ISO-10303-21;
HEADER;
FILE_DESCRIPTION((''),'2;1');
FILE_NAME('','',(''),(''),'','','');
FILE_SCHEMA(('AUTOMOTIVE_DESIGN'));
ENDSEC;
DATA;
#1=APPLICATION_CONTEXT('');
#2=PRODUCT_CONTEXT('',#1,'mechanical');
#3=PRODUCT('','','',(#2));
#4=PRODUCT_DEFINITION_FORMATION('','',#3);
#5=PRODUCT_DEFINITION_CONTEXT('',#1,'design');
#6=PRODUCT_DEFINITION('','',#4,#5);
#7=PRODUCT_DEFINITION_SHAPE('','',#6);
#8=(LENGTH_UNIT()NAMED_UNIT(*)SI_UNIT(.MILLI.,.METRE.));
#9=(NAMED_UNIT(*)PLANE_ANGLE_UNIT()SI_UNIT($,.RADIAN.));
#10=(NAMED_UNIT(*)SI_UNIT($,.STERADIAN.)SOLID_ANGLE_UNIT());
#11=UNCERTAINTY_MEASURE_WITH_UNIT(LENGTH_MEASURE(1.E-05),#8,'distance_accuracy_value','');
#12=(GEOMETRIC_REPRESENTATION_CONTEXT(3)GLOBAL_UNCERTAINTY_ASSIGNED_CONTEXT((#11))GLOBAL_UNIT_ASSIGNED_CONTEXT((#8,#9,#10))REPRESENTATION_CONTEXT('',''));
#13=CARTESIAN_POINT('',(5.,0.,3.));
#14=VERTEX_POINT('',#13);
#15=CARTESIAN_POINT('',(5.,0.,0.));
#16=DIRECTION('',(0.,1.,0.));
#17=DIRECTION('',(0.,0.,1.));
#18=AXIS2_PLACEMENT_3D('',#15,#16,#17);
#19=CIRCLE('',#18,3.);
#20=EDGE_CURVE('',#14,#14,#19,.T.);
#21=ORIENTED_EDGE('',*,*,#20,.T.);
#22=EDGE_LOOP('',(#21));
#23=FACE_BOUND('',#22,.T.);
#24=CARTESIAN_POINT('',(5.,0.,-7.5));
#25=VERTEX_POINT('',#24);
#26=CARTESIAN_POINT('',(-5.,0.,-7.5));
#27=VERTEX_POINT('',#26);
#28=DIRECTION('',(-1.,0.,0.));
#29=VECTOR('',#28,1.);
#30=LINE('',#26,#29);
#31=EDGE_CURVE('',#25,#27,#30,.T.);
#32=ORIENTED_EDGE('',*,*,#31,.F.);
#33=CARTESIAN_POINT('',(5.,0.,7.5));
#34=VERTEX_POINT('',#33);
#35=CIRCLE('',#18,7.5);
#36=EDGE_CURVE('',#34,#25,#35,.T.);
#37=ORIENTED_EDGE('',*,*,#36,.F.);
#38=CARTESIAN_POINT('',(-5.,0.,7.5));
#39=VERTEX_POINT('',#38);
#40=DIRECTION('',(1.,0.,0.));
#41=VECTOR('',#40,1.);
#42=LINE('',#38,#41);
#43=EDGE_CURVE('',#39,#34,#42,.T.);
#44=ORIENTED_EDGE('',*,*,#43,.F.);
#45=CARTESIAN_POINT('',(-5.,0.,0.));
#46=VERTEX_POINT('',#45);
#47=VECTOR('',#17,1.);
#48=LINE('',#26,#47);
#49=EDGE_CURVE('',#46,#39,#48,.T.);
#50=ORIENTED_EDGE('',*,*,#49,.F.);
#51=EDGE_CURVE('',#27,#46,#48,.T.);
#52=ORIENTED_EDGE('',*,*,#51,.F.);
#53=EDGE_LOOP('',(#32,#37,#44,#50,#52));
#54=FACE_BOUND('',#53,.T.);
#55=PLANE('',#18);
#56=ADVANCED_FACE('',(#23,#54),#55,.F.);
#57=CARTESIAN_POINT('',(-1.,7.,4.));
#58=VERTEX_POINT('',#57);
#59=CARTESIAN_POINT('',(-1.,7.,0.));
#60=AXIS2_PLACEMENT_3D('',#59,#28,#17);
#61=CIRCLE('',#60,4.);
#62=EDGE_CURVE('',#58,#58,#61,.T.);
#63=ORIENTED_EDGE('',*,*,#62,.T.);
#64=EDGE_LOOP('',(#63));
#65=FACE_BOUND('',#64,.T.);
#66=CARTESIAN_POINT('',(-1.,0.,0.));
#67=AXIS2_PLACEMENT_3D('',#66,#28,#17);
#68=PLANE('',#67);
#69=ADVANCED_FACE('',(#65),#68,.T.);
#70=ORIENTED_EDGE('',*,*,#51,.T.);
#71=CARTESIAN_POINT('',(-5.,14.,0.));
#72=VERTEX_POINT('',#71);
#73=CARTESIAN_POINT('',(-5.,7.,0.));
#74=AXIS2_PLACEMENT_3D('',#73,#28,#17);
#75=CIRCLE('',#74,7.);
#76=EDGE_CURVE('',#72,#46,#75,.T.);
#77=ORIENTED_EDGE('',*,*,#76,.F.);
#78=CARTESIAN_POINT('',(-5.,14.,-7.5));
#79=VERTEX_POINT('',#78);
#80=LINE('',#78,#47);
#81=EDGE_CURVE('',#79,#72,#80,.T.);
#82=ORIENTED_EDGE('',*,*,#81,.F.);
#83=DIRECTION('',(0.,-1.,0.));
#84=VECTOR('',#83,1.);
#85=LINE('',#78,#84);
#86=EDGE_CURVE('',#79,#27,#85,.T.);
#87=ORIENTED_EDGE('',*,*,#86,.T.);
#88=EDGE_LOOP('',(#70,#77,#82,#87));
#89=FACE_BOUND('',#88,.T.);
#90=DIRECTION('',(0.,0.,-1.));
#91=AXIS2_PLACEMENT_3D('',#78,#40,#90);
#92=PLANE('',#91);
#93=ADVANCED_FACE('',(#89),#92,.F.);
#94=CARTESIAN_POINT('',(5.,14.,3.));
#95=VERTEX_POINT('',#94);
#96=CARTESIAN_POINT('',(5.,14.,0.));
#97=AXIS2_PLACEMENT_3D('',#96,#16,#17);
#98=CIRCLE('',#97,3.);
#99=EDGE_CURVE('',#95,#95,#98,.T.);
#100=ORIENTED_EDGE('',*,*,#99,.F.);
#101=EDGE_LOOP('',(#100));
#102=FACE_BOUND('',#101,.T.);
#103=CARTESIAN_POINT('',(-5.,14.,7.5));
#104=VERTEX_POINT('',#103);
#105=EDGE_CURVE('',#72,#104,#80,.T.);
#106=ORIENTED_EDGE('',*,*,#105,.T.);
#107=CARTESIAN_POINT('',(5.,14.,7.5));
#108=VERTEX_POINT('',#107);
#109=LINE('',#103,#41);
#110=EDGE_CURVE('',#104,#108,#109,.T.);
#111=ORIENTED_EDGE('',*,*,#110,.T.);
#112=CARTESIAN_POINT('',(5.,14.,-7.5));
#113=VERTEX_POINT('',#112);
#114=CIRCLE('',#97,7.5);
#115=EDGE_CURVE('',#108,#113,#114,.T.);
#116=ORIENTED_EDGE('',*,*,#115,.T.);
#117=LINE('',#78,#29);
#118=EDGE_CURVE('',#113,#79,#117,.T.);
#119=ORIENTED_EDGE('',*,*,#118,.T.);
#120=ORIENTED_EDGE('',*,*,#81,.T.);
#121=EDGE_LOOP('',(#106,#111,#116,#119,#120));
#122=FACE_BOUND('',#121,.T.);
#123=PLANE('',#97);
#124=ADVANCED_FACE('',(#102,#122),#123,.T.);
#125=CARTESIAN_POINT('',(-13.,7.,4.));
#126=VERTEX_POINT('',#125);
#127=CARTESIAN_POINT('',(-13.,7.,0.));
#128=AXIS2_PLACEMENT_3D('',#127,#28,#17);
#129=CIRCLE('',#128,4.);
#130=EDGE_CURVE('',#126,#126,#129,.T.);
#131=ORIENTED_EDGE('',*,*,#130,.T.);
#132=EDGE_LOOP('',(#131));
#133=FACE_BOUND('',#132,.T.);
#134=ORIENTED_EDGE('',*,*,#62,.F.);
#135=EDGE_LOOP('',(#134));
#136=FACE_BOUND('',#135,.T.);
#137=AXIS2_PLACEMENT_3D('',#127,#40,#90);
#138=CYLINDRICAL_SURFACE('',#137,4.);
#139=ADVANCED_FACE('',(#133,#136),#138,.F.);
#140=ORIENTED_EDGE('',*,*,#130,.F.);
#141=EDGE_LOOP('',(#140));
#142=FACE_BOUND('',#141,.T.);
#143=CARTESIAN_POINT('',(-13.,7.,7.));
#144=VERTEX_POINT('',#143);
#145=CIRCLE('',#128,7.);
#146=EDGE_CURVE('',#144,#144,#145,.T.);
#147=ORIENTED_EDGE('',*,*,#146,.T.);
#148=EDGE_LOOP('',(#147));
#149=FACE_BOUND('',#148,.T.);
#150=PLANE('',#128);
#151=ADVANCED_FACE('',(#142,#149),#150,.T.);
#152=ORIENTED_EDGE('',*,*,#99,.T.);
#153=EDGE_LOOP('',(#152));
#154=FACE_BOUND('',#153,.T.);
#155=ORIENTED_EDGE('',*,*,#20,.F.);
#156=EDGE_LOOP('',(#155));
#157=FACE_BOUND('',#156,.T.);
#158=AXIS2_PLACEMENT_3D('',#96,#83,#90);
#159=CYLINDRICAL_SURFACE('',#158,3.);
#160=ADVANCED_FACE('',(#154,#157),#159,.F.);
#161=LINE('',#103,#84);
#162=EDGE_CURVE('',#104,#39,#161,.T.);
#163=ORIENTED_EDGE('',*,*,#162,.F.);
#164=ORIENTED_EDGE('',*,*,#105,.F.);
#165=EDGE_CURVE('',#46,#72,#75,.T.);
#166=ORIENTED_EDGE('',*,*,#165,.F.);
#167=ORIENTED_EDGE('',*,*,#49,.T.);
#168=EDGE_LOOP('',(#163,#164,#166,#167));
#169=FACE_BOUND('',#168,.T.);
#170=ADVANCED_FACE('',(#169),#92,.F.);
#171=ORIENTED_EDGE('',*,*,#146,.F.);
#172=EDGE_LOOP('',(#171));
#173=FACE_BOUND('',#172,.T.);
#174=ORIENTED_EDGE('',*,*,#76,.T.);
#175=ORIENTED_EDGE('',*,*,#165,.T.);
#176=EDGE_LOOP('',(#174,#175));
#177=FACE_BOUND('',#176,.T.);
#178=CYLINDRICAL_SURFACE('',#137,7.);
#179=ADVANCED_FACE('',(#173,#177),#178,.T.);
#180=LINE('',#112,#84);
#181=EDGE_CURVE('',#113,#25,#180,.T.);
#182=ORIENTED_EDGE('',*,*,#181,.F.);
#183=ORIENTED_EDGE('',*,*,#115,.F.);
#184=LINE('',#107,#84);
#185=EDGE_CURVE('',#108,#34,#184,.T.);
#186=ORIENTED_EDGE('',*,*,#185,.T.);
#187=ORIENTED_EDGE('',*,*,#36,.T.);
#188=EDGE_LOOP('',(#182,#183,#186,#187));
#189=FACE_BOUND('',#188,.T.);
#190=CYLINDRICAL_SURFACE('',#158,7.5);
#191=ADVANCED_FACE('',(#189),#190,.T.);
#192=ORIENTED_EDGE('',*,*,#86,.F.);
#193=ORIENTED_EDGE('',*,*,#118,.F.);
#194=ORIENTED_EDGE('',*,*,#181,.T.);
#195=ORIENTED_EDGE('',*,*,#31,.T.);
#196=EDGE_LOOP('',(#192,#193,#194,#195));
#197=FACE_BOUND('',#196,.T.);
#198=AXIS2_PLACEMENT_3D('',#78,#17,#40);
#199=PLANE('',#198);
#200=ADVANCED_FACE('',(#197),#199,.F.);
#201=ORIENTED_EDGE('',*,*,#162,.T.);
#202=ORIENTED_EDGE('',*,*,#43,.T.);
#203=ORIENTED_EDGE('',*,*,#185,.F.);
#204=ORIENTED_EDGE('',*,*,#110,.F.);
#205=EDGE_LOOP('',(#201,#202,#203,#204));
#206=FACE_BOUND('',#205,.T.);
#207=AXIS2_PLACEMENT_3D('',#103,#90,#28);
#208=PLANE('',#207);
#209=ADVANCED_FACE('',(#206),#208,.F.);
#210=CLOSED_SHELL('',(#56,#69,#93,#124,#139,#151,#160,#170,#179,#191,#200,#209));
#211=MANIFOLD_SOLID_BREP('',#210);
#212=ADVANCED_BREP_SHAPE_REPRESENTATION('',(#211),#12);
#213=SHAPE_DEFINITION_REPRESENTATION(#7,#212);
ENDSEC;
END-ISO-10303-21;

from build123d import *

# Parameters (mm, degrees)
SKETCH_1_R          = 3
EXTRUDE_1_DEPTH     = 14
SKETCH_2_R          = 7
SKETCH_2_R_2        = 4
EXTRUDE_2_DEPTH     = 8
CUT_EXTRUDE_START   = -4
SKETCH_2_2_R        = 4
CUT_EXTRUDE_1_DEPTH = 4


with BuildPart() as part:
    # 草图1 → 凸台-拉伸1 (new body)
    with BuildSketch(Plane(origin=(0, 0, 0), x_dir=(1, 0, 0), z_dir=(0, 1, 0))):
        with BuildLine():
            Line((-5, 7.5), (5, 7.5))
            ThreePointArc((5, 7.5), (12.5, 0), (5, -7.5))
            Line((5, -7.5), (-5, -7.5))
            Line((-5, -7.5), (-5, 7.5))
        make_face()
        with Locations((5, 0)):
            Circle(SKETCH_1_R, mode=Mode.SUBTRACT)
    extrude(amount=EXTRUDE_1_DEPTH)

    # 草图2 → 凸台-拉伸2 (add)
    with BuildSketch(Plane.ZY.offset(5)):
        with Locations((0, 7)):
            Circle(SKETCH_2_R)
        with Locations((0, 7)):
            Circle(SKETCH_2_R_2, mode=Mode.SUBTRACT)
    extrude(amount=EXTRUDE_2_DEPTH)

    # 草图2<2> → 切除-拉伸1 (cut)
    with BuildSketch(Plane.ZY.offset(5).offset(CUT_EXTRUDE_START)):
        with Locations((0, 7)):
            Circle(SKETCH_2_2_R)
    extrude(amount=CUT_EXTRUDE_1_DEPTH, mode=Mode.SUBTRACT)


solid = part.part
